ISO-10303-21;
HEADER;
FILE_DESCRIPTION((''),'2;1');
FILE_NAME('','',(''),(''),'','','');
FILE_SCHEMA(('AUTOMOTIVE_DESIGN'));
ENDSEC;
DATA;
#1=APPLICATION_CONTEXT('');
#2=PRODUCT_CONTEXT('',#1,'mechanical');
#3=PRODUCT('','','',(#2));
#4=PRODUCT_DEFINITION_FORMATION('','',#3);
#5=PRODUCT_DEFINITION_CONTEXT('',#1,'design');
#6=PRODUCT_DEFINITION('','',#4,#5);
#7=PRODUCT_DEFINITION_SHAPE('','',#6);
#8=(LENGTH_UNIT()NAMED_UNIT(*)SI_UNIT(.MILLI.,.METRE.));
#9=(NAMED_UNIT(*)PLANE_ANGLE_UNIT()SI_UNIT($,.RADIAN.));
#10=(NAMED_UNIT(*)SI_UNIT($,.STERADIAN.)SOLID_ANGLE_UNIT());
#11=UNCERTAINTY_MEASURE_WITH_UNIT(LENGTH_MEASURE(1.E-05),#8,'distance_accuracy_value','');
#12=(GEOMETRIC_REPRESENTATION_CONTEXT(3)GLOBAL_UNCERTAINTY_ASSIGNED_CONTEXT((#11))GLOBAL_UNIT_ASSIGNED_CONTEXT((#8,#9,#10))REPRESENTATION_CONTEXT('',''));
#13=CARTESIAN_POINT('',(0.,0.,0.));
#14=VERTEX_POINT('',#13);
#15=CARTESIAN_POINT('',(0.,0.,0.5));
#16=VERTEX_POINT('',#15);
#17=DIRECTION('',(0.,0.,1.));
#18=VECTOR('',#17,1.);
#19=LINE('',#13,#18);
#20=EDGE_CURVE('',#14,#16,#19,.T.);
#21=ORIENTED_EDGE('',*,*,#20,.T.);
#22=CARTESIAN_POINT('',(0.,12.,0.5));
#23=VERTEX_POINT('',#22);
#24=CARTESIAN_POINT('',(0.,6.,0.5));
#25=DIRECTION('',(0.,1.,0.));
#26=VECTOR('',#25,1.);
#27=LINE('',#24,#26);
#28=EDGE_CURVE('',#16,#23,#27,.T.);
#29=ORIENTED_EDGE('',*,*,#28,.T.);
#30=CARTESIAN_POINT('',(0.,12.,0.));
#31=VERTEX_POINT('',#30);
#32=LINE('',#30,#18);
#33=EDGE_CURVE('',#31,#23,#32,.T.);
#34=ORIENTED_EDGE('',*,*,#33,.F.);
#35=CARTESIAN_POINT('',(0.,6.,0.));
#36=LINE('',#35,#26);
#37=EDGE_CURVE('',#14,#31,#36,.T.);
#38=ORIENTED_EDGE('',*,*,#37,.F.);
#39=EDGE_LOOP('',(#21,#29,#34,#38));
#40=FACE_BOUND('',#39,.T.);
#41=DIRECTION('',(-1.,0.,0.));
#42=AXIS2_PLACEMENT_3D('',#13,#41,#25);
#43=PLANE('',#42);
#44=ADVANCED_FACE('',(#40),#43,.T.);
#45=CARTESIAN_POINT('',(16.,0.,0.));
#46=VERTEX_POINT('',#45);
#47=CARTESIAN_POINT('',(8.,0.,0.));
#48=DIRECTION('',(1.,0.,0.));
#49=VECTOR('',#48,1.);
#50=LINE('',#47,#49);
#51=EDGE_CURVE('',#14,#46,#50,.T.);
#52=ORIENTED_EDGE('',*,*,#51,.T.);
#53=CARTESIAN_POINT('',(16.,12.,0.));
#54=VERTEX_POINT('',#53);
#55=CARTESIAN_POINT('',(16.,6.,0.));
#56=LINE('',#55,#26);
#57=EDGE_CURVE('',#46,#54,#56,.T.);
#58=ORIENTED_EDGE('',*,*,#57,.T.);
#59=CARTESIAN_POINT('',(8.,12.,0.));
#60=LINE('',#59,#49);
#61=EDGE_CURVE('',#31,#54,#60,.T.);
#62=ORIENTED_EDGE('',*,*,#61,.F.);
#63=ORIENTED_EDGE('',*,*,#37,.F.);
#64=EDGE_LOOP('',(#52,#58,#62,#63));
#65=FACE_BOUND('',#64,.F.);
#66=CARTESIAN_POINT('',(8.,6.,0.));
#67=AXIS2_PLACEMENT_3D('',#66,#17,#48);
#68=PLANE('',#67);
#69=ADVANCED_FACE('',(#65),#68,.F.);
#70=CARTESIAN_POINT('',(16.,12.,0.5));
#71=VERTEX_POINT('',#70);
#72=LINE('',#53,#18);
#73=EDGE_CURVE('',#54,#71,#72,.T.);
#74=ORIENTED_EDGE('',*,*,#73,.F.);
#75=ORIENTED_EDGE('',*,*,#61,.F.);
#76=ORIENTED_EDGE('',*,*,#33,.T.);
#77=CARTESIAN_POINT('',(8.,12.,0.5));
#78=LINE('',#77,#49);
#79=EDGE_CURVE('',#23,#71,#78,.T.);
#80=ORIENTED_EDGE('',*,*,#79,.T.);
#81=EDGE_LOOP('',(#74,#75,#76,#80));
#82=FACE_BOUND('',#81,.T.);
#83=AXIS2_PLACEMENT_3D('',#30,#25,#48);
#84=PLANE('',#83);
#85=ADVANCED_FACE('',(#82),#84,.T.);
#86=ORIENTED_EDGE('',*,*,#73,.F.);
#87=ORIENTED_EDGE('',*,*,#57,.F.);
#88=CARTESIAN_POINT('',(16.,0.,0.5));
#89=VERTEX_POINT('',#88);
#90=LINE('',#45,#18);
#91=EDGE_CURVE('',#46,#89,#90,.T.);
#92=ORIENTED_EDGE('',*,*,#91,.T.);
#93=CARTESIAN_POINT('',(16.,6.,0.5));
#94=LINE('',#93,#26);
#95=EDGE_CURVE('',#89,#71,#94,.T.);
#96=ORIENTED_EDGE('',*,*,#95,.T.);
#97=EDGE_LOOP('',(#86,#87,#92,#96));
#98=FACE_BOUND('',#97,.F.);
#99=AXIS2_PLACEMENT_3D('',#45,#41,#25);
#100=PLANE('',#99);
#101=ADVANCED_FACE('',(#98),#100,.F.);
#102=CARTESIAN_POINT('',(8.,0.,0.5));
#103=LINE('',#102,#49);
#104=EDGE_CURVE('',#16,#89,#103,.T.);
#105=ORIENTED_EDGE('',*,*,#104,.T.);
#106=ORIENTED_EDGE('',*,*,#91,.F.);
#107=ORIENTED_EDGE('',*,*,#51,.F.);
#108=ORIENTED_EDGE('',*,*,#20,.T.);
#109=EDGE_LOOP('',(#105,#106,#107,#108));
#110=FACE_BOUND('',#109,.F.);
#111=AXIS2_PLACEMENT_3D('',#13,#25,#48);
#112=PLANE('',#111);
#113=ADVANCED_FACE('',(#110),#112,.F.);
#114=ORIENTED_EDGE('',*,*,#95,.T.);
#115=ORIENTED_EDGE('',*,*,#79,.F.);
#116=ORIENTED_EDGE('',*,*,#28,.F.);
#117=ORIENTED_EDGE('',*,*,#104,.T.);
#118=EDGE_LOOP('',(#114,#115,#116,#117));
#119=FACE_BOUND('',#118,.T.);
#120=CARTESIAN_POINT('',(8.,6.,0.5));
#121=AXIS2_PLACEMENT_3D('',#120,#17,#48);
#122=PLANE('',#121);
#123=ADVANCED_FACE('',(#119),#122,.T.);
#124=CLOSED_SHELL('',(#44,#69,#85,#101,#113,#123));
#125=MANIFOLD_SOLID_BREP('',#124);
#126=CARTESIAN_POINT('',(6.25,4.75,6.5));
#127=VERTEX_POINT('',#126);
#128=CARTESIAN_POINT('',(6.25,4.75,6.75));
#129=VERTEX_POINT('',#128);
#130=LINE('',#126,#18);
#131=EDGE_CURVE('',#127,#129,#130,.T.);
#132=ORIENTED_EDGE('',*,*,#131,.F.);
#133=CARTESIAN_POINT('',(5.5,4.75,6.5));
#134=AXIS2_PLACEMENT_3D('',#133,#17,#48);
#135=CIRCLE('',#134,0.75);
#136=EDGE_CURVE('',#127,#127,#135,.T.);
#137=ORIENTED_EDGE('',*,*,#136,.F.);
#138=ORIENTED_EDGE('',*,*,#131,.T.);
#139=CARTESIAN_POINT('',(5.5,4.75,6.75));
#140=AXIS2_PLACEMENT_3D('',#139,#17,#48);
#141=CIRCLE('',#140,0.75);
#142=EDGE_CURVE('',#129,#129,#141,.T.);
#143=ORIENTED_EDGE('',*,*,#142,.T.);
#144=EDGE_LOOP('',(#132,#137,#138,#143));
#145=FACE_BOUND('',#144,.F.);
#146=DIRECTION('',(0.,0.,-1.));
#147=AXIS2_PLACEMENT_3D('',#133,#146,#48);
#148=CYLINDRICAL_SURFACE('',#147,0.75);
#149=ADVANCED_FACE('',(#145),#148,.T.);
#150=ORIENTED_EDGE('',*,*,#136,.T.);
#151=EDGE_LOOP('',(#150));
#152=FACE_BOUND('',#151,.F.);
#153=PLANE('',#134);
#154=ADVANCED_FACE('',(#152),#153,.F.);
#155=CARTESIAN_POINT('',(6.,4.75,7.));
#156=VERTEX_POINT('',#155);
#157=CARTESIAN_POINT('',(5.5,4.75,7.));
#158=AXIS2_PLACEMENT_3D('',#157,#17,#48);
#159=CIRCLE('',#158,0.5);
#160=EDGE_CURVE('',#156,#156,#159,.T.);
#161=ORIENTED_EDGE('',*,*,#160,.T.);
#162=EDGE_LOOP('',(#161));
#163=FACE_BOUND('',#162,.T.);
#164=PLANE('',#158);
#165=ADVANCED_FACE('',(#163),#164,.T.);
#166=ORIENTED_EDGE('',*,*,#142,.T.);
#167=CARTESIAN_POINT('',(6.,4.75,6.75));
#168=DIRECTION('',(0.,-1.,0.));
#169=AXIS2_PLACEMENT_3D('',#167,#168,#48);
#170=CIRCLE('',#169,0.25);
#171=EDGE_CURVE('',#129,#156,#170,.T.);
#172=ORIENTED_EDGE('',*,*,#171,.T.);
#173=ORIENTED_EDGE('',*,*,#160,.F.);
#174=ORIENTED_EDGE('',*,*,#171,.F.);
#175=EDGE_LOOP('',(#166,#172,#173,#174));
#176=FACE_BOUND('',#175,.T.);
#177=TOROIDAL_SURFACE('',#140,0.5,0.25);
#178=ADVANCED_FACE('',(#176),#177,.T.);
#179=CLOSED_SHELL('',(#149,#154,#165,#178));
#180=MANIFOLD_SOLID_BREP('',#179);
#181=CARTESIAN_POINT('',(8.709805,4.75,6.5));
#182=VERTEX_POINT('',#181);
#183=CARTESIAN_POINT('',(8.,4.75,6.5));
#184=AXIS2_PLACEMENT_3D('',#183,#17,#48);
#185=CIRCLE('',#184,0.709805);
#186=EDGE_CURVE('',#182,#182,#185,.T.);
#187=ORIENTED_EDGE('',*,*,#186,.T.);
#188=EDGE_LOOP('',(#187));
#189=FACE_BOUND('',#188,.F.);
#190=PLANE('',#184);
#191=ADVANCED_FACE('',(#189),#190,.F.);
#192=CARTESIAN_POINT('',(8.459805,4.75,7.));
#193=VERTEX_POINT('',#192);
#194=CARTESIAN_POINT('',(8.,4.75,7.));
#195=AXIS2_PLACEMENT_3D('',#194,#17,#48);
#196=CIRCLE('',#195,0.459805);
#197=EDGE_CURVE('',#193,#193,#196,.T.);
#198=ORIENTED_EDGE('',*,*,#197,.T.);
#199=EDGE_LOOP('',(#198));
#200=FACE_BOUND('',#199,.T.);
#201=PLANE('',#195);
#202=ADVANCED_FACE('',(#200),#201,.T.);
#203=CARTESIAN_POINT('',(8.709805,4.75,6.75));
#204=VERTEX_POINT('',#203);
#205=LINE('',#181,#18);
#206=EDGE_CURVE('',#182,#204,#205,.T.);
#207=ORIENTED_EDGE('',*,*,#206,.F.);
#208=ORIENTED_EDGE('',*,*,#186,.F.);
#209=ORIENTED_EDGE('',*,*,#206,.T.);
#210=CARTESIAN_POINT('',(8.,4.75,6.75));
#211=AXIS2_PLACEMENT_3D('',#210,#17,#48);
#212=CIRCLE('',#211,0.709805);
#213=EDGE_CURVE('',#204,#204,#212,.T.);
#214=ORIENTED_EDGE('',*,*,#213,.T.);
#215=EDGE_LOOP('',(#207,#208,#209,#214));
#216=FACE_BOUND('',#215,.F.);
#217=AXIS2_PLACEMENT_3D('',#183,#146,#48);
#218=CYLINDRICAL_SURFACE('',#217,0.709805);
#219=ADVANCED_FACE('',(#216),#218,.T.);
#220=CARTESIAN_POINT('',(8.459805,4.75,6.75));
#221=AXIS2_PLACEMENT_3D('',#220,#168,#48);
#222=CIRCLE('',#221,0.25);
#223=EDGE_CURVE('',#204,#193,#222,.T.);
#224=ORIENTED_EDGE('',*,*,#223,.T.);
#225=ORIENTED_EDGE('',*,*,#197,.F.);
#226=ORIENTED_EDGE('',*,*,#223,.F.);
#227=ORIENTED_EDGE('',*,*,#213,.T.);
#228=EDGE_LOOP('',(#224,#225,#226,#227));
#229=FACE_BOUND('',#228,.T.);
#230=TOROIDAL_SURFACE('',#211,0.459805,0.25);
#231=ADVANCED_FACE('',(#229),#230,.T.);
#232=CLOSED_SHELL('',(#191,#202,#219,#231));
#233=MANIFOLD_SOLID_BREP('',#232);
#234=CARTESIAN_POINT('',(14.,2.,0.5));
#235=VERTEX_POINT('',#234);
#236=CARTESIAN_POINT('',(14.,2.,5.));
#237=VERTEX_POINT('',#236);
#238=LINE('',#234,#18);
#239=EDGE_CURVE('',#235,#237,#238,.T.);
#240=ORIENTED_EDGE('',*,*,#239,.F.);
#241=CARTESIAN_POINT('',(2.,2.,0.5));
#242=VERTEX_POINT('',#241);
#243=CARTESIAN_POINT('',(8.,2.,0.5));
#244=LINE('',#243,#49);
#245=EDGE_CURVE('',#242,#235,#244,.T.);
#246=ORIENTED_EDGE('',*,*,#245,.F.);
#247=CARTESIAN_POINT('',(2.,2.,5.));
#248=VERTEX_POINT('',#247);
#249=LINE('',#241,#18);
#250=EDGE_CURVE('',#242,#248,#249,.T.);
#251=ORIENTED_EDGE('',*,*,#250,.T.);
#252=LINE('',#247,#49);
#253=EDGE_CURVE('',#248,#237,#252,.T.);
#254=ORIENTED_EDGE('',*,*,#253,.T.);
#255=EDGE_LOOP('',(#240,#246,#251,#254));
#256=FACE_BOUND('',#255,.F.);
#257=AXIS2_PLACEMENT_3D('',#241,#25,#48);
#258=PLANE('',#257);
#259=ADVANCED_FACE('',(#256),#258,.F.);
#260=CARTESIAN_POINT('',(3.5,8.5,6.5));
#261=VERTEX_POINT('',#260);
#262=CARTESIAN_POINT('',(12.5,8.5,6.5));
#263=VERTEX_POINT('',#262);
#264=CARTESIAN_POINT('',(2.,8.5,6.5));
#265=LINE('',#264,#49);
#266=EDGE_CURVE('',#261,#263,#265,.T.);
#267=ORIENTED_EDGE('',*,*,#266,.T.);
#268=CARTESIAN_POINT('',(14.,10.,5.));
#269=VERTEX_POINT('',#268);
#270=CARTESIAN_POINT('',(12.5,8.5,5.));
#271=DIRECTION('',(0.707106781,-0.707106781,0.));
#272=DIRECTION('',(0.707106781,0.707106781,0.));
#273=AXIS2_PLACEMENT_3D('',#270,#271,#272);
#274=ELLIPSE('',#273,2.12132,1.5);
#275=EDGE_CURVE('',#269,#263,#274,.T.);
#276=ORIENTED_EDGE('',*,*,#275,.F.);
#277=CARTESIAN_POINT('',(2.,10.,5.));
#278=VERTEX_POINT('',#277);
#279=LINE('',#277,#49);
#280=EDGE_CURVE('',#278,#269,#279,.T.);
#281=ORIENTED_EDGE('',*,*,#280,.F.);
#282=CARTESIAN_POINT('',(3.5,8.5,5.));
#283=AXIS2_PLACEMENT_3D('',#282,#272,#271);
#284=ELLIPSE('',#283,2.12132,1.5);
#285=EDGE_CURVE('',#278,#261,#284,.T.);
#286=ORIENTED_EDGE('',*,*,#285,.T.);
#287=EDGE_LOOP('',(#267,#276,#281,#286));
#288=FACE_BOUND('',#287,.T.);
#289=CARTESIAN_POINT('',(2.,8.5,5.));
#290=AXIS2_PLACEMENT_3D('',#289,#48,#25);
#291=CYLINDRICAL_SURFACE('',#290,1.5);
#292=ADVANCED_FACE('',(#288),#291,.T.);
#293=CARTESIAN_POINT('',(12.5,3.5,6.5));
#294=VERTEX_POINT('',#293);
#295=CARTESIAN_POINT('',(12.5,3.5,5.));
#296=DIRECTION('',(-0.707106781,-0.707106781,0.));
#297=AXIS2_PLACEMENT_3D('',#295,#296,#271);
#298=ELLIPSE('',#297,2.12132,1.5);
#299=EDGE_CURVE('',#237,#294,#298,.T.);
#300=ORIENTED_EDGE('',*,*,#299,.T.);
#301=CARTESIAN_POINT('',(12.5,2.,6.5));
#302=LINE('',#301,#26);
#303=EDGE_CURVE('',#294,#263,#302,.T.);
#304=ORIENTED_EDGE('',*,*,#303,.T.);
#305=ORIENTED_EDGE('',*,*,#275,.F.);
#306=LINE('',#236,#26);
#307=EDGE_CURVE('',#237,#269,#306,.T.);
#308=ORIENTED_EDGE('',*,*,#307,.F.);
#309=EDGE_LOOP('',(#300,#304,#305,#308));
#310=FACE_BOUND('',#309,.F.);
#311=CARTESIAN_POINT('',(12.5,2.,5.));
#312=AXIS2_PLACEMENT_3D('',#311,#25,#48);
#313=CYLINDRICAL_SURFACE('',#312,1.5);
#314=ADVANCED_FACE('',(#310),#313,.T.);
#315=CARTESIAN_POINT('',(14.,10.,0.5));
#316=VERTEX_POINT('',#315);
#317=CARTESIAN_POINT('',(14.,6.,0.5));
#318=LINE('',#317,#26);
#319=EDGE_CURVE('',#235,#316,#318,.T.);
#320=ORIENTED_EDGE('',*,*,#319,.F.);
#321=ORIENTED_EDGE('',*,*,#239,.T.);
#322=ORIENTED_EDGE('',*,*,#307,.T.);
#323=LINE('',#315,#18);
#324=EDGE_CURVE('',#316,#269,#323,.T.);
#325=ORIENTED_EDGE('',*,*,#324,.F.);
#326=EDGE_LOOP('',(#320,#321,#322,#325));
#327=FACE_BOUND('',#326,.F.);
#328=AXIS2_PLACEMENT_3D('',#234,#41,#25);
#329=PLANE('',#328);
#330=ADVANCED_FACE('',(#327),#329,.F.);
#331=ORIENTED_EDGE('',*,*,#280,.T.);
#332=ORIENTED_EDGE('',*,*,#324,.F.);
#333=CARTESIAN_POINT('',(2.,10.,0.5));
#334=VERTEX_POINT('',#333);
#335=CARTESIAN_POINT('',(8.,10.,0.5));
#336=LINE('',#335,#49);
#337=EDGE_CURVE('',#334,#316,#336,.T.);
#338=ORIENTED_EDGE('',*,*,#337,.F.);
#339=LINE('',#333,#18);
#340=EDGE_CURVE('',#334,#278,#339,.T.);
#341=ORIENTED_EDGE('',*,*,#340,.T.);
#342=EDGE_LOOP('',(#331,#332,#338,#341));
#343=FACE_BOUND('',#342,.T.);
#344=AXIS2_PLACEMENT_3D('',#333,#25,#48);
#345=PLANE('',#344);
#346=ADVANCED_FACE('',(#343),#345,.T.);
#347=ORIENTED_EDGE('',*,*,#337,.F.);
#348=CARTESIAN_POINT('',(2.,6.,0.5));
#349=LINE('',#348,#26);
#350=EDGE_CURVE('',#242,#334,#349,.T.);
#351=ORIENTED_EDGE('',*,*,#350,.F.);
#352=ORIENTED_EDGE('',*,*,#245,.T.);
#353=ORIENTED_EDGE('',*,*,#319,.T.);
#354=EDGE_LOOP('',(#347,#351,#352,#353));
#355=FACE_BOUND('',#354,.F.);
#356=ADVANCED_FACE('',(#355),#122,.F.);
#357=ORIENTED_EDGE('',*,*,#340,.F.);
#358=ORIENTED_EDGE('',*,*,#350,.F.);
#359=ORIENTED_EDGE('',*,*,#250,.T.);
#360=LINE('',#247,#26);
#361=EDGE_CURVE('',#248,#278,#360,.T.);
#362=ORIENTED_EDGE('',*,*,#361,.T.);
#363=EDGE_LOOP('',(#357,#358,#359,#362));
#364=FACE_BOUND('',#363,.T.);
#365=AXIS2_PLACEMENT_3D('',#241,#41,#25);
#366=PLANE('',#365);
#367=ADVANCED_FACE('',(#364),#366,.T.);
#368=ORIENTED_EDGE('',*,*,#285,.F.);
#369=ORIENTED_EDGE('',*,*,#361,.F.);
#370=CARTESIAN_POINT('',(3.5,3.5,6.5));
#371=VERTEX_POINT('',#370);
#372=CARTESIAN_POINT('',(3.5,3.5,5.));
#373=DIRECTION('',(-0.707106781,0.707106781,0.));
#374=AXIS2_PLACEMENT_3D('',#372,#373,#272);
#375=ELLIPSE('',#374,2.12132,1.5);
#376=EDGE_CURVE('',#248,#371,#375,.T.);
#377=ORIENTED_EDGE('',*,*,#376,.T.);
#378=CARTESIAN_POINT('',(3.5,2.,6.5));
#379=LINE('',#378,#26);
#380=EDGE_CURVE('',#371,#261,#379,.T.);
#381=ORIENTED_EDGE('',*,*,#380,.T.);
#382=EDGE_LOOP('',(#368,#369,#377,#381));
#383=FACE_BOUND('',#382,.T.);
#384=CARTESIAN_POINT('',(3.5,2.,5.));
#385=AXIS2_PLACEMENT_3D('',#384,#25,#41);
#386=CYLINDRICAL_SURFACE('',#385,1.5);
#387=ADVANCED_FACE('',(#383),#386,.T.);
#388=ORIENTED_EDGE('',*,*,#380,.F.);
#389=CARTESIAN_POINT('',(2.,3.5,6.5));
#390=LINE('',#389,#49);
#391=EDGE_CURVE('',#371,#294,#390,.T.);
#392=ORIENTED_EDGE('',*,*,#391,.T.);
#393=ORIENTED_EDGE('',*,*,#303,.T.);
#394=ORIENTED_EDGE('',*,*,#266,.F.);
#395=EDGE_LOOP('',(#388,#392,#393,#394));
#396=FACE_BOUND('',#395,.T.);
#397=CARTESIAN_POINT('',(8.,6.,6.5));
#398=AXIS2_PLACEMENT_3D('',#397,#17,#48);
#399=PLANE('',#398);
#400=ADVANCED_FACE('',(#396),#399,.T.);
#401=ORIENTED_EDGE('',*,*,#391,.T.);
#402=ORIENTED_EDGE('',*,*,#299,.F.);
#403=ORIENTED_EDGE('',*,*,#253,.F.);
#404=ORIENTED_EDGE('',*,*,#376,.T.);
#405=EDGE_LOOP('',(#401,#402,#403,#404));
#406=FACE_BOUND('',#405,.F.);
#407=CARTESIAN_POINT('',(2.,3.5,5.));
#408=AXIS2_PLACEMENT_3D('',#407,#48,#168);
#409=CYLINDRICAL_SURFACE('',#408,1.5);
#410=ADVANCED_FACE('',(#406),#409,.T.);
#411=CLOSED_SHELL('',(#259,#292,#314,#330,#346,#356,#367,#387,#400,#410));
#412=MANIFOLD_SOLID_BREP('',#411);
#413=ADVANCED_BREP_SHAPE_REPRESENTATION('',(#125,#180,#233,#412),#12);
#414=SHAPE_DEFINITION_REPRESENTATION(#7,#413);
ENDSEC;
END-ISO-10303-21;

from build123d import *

# Parameters (mm, degrees)
SKETCH_W     = 16
SKETCH_H     = 12
PAD_DEPTH    = 0.5
SKETCH001_W  = 12
SKETCH001_H  = 8
PAD001_DEPTH = 6
FILLET_R     = 1.5
SKETCH002_R  = 0.75
PAD002_DEPTH = 0.5
FILLET001_R  = 0.25
SKETCH003_R  = 0.709805
PAD003_DEPTH = 0.5
FILLET002_R  = 0.25


with BuildPart() as pad:
    # Sketch → Pad (new body)
    with BuildSketch(Plane.XY):
        with Locations((8, 6)):
            Rectangle(SKETCH_W, SKETCH_H)
    extrude(amount=PAD_DEPTH)


with BuildPart() as fillet_body:
    # Sketch001 → Pad001 (new body)
    with BuildSketch(Plane.XY.offset(0.5)):
        with Locations((8, 6)):
            Rectangle(SKETCH001_W, SKETCH001_H)
    extrude(amount=PAD001_DEPTH)

    # Fillet
    fillet_edges = [fillet_body.edges().sort_by_distance(p)[0] for p in [
        (8, 2, 6.5),
        (14, 6, 6.5),
        (8, 10, 6.5),
        (2, 6, 6.5),
    ]]
    fillet(fillet_edges, radius=FILLET_R)


with BuildPart() as fillet001:
    # Sketch002 → Pad002 (new body)
    with BuildSketch(Plane.XY.offset(6.5)):
        with Locations((5.5, 4.75)):
            Circle(SKETCH002_R)
    extrude(amount=PAD002_DEPTH)

    # Fillet001
    fillet001_edges = [fillet001.edges().sort_by_distance(p)[0] for p in [
        (4.75, 4.75, 7),
    ]]
    fillet(fillet001_edges, radius=FILLET001_R)


with BuildPart() as fillet002:
    # Sketch003 → Pad003 (new body)
    with BuildSketch(Plane.XY.offset(6.5)):
        with Locations((8, 4.75)):
            Circle(SKETCH003_R)
    extrude(amount=PAD003_DEPTH)

    # Fillet002
    fillet002_edges = [fillet002.edges().sort_by_distance(p)[0] for p in [
        (7.290195, 4.75, 7),
    ]]
    fillet(fillet002_edges, radius=FILLET002_R)


solid = Compound([pad.part, fillet_body.part, fillet001.part, fillet002.part])
